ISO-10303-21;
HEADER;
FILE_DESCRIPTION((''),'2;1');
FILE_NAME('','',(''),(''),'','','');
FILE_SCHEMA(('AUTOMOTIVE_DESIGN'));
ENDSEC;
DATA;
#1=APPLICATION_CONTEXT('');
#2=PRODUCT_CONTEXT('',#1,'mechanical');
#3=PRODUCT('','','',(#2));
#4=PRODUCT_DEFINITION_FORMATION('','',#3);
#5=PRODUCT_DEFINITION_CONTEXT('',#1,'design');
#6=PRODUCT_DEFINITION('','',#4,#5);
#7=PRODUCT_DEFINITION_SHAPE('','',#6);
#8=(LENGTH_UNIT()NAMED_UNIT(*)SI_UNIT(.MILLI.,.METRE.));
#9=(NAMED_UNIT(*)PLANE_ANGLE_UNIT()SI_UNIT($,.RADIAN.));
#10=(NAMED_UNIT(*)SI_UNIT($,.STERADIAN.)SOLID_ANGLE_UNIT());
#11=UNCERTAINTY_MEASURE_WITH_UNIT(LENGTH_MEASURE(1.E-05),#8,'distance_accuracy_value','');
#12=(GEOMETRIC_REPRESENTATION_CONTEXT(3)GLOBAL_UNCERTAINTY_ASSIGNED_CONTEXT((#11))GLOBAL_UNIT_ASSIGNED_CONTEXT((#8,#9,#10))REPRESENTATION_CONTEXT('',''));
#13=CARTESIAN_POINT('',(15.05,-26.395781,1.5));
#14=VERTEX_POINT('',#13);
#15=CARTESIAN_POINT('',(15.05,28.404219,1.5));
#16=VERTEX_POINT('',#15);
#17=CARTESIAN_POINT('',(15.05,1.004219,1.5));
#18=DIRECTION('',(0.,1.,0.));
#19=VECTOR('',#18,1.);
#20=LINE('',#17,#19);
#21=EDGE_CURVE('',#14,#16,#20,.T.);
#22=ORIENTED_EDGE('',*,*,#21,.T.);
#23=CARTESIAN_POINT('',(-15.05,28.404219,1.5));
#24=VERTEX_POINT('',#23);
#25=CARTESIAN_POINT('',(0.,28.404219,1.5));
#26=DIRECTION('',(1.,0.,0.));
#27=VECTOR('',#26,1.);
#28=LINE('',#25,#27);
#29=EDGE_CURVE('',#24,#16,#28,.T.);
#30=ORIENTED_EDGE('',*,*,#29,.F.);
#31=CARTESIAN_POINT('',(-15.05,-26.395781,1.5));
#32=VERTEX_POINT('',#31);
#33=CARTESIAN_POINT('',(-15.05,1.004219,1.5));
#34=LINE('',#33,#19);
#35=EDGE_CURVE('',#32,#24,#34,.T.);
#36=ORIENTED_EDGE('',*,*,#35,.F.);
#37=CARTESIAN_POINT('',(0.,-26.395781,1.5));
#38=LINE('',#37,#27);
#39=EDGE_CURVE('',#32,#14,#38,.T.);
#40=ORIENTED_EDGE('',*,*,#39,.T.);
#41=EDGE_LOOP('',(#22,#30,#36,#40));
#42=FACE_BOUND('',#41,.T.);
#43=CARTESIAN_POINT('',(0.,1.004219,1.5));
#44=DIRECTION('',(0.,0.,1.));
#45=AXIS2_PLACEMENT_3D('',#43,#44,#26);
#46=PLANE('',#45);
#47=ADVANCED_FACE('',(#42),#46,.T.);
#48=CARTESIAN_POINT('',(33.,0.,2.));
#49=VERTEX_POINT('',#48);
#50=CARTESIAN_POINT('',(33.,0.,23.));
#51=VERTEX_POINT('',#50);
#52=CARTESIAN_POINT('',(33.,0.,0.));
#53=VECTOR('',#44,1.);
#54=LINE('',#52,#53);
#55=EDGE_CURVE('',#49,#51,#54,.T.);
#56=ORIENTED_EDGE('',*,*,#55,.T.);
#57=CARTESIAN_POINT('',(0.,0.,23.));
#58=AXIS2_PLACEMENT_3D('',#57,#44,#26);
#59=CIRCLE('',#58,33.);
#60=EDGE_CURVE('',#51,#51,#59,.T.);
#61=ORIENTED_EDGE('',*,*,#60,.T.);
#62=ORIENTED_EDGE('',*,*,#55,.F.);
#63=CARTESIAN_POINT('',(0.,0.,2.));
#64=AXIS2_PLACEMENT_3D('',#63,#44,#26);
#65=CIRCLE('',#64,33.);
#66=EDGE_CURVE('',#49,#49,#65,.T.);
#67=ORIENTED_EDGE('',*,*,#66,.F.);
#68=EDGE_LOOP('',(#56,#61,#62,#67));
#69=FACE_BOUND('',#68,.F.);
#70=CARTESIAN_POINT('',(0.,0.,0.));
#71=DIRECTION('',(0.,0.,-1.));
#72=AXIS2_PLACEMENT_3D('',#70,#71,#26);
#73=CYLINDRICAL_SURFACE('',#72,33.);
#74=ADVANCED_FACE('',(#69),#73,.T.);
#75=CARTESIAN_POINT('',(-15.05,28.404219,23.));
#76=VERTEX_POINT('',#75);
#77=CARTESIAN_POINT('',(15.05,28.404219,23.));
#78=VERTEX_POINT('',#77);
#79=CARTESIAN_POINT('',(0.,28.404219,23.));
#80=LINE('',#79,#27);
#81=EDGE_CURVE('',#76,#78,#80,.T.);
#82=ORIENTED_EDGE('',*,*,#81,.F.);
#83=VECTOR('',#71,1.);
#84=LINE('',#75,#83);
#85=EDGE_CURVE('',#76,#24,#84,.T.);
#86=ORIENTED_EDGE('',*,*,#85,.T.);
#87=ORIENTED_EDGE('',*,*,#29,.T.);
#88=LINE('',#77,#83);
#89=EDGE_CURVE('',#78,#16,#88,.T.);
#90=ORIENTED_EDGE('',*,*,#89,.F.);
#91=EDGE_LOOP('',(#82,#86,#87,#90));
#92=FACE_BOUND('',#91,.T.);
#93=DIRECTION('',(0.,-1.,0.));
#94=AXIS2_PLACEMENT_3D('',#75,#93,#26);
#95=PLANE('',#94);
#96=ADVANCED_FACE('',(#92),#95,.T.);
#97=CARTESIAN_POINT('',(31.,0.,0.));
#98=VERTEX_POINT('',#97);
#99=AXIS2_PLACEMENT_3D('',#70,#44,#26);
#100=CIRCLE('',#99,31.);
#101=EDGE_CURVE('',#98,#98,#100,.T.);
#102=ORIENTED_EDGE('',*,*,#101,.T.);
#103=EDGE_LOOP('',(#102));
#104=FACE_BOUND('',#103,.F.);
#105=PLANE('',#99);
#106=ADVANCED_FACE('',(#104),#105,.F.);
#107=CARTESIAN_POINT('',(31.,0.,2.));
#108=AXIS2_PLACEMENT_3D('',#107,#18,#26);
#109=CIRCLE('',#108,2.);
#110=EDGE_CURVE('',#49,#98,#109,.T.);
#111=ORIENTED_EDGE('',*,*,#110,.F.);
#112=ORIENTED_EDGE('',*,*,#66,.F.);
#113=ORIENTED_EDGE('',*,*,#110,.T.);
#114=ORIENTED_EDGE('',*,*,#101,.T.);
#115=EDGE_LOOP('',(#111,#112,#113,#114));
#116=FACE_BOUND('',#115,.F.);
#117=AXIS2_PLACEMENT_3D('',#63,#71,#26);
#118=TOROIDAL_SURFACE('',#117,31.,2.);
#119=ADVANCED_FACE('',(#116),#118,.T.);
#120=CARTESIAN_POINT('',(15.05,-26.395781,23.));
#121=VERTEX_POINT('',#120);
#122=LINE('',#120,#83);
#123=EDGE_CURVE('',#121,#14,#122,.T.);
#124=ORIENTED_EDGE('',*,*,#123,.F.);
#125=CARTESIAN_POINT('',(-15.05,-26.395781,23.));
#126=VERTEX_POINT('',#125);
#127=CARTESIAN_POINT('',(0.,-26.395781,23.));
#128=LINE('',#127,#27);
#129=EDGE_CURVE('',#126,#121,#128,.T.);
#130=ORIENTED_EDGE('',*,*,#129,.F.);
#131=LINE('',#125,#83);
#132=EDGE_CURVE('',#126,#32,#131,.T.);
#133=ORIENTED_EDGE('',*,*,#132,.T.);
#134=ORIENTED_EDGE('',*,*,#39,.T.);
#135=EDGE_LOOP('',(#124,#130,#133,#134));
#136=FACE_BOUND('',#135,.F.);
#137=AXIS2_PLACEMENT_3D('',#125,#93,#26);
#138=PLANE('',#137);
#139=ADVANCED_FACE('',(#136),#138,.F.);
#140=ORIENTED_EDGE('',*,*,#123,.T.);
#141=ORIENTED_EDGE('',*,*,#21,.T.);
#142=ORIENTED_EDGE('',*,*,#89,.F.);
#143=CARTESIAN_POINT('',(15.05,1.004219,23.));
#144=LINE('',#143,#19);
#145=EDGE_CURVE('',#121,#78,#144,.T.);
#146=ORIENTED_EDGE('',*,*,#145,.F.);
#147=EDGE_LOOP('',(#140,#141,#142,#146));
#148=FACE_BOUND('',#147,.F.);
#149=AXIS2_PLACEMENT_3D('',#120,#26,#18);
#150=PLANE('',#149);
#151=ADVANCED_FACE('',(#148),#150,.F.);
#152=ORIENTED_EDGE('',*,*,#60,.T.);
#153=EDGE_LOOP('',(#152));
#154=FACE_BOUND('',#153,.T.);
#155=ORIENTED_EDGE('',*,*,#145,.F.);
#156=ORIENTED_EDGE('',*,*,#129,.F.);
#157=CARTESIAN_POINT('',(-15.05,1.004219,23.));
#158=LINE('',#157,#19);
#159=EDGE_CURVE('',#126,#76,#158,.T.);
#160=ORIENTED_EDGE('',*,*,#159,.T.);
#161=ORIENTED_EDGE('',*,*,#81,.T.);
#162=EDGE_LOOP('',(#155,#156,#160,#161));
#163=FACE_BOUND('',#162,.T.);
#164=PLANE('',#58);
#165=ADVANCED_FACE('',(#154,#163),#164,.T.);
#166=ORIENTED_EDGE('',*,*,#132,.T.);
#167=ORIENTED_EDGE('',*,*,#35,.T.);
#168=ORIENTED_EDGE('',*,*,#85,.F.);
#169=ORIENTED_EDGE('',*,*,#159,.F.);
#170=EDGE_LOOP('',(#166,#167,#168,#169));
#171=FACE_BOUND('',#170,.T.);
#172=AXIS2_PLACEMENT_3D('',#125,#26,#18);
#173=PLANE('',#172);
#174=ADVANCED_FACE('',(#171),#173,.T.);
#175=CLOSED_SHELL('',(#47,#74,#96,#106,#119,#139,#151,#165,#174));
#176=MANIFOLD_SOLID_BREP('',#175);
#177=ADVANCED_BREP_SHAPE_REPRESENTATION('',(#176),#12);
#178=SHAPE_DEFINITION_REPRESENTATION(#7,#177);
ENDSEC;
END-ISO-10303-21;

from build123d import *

# Parameters (mm, degrees)
SKETCH_R     = 33
PAD_DEPTH    = 23
SKETCH001_W  = 30.1
SKETCH001_H  = 54.8
POCKET_DEPTH = 21.5
FILLET_R     = 2


with BuildPart() as part:
    # Sketch → Pad (new body)
    with BuildSketch(Plane.XY):
        Circle(SKETCH_R)
    extrude(amount=PAD_DEPTH)

    # Sketch001 (on Face3 of Pad) → Pocket (cut)
    with BuildSketch(Plane.XY.offset(23)):
        with Locations((0, 1.004219)):
            Rectangle(SKETCH001_W, SKETCH001_H)
    extrude(amount=-POCKET_DEPTH, mode=Mode.SUBTRACT)

    # Fillet
    fillet_edges = [part.edges().sort_by_distance(p)[0] for p in [
        (-33, 0, 0),
    ]]
    fillet(fillet_edges, radius=FILLET_R)


solid = part.part
